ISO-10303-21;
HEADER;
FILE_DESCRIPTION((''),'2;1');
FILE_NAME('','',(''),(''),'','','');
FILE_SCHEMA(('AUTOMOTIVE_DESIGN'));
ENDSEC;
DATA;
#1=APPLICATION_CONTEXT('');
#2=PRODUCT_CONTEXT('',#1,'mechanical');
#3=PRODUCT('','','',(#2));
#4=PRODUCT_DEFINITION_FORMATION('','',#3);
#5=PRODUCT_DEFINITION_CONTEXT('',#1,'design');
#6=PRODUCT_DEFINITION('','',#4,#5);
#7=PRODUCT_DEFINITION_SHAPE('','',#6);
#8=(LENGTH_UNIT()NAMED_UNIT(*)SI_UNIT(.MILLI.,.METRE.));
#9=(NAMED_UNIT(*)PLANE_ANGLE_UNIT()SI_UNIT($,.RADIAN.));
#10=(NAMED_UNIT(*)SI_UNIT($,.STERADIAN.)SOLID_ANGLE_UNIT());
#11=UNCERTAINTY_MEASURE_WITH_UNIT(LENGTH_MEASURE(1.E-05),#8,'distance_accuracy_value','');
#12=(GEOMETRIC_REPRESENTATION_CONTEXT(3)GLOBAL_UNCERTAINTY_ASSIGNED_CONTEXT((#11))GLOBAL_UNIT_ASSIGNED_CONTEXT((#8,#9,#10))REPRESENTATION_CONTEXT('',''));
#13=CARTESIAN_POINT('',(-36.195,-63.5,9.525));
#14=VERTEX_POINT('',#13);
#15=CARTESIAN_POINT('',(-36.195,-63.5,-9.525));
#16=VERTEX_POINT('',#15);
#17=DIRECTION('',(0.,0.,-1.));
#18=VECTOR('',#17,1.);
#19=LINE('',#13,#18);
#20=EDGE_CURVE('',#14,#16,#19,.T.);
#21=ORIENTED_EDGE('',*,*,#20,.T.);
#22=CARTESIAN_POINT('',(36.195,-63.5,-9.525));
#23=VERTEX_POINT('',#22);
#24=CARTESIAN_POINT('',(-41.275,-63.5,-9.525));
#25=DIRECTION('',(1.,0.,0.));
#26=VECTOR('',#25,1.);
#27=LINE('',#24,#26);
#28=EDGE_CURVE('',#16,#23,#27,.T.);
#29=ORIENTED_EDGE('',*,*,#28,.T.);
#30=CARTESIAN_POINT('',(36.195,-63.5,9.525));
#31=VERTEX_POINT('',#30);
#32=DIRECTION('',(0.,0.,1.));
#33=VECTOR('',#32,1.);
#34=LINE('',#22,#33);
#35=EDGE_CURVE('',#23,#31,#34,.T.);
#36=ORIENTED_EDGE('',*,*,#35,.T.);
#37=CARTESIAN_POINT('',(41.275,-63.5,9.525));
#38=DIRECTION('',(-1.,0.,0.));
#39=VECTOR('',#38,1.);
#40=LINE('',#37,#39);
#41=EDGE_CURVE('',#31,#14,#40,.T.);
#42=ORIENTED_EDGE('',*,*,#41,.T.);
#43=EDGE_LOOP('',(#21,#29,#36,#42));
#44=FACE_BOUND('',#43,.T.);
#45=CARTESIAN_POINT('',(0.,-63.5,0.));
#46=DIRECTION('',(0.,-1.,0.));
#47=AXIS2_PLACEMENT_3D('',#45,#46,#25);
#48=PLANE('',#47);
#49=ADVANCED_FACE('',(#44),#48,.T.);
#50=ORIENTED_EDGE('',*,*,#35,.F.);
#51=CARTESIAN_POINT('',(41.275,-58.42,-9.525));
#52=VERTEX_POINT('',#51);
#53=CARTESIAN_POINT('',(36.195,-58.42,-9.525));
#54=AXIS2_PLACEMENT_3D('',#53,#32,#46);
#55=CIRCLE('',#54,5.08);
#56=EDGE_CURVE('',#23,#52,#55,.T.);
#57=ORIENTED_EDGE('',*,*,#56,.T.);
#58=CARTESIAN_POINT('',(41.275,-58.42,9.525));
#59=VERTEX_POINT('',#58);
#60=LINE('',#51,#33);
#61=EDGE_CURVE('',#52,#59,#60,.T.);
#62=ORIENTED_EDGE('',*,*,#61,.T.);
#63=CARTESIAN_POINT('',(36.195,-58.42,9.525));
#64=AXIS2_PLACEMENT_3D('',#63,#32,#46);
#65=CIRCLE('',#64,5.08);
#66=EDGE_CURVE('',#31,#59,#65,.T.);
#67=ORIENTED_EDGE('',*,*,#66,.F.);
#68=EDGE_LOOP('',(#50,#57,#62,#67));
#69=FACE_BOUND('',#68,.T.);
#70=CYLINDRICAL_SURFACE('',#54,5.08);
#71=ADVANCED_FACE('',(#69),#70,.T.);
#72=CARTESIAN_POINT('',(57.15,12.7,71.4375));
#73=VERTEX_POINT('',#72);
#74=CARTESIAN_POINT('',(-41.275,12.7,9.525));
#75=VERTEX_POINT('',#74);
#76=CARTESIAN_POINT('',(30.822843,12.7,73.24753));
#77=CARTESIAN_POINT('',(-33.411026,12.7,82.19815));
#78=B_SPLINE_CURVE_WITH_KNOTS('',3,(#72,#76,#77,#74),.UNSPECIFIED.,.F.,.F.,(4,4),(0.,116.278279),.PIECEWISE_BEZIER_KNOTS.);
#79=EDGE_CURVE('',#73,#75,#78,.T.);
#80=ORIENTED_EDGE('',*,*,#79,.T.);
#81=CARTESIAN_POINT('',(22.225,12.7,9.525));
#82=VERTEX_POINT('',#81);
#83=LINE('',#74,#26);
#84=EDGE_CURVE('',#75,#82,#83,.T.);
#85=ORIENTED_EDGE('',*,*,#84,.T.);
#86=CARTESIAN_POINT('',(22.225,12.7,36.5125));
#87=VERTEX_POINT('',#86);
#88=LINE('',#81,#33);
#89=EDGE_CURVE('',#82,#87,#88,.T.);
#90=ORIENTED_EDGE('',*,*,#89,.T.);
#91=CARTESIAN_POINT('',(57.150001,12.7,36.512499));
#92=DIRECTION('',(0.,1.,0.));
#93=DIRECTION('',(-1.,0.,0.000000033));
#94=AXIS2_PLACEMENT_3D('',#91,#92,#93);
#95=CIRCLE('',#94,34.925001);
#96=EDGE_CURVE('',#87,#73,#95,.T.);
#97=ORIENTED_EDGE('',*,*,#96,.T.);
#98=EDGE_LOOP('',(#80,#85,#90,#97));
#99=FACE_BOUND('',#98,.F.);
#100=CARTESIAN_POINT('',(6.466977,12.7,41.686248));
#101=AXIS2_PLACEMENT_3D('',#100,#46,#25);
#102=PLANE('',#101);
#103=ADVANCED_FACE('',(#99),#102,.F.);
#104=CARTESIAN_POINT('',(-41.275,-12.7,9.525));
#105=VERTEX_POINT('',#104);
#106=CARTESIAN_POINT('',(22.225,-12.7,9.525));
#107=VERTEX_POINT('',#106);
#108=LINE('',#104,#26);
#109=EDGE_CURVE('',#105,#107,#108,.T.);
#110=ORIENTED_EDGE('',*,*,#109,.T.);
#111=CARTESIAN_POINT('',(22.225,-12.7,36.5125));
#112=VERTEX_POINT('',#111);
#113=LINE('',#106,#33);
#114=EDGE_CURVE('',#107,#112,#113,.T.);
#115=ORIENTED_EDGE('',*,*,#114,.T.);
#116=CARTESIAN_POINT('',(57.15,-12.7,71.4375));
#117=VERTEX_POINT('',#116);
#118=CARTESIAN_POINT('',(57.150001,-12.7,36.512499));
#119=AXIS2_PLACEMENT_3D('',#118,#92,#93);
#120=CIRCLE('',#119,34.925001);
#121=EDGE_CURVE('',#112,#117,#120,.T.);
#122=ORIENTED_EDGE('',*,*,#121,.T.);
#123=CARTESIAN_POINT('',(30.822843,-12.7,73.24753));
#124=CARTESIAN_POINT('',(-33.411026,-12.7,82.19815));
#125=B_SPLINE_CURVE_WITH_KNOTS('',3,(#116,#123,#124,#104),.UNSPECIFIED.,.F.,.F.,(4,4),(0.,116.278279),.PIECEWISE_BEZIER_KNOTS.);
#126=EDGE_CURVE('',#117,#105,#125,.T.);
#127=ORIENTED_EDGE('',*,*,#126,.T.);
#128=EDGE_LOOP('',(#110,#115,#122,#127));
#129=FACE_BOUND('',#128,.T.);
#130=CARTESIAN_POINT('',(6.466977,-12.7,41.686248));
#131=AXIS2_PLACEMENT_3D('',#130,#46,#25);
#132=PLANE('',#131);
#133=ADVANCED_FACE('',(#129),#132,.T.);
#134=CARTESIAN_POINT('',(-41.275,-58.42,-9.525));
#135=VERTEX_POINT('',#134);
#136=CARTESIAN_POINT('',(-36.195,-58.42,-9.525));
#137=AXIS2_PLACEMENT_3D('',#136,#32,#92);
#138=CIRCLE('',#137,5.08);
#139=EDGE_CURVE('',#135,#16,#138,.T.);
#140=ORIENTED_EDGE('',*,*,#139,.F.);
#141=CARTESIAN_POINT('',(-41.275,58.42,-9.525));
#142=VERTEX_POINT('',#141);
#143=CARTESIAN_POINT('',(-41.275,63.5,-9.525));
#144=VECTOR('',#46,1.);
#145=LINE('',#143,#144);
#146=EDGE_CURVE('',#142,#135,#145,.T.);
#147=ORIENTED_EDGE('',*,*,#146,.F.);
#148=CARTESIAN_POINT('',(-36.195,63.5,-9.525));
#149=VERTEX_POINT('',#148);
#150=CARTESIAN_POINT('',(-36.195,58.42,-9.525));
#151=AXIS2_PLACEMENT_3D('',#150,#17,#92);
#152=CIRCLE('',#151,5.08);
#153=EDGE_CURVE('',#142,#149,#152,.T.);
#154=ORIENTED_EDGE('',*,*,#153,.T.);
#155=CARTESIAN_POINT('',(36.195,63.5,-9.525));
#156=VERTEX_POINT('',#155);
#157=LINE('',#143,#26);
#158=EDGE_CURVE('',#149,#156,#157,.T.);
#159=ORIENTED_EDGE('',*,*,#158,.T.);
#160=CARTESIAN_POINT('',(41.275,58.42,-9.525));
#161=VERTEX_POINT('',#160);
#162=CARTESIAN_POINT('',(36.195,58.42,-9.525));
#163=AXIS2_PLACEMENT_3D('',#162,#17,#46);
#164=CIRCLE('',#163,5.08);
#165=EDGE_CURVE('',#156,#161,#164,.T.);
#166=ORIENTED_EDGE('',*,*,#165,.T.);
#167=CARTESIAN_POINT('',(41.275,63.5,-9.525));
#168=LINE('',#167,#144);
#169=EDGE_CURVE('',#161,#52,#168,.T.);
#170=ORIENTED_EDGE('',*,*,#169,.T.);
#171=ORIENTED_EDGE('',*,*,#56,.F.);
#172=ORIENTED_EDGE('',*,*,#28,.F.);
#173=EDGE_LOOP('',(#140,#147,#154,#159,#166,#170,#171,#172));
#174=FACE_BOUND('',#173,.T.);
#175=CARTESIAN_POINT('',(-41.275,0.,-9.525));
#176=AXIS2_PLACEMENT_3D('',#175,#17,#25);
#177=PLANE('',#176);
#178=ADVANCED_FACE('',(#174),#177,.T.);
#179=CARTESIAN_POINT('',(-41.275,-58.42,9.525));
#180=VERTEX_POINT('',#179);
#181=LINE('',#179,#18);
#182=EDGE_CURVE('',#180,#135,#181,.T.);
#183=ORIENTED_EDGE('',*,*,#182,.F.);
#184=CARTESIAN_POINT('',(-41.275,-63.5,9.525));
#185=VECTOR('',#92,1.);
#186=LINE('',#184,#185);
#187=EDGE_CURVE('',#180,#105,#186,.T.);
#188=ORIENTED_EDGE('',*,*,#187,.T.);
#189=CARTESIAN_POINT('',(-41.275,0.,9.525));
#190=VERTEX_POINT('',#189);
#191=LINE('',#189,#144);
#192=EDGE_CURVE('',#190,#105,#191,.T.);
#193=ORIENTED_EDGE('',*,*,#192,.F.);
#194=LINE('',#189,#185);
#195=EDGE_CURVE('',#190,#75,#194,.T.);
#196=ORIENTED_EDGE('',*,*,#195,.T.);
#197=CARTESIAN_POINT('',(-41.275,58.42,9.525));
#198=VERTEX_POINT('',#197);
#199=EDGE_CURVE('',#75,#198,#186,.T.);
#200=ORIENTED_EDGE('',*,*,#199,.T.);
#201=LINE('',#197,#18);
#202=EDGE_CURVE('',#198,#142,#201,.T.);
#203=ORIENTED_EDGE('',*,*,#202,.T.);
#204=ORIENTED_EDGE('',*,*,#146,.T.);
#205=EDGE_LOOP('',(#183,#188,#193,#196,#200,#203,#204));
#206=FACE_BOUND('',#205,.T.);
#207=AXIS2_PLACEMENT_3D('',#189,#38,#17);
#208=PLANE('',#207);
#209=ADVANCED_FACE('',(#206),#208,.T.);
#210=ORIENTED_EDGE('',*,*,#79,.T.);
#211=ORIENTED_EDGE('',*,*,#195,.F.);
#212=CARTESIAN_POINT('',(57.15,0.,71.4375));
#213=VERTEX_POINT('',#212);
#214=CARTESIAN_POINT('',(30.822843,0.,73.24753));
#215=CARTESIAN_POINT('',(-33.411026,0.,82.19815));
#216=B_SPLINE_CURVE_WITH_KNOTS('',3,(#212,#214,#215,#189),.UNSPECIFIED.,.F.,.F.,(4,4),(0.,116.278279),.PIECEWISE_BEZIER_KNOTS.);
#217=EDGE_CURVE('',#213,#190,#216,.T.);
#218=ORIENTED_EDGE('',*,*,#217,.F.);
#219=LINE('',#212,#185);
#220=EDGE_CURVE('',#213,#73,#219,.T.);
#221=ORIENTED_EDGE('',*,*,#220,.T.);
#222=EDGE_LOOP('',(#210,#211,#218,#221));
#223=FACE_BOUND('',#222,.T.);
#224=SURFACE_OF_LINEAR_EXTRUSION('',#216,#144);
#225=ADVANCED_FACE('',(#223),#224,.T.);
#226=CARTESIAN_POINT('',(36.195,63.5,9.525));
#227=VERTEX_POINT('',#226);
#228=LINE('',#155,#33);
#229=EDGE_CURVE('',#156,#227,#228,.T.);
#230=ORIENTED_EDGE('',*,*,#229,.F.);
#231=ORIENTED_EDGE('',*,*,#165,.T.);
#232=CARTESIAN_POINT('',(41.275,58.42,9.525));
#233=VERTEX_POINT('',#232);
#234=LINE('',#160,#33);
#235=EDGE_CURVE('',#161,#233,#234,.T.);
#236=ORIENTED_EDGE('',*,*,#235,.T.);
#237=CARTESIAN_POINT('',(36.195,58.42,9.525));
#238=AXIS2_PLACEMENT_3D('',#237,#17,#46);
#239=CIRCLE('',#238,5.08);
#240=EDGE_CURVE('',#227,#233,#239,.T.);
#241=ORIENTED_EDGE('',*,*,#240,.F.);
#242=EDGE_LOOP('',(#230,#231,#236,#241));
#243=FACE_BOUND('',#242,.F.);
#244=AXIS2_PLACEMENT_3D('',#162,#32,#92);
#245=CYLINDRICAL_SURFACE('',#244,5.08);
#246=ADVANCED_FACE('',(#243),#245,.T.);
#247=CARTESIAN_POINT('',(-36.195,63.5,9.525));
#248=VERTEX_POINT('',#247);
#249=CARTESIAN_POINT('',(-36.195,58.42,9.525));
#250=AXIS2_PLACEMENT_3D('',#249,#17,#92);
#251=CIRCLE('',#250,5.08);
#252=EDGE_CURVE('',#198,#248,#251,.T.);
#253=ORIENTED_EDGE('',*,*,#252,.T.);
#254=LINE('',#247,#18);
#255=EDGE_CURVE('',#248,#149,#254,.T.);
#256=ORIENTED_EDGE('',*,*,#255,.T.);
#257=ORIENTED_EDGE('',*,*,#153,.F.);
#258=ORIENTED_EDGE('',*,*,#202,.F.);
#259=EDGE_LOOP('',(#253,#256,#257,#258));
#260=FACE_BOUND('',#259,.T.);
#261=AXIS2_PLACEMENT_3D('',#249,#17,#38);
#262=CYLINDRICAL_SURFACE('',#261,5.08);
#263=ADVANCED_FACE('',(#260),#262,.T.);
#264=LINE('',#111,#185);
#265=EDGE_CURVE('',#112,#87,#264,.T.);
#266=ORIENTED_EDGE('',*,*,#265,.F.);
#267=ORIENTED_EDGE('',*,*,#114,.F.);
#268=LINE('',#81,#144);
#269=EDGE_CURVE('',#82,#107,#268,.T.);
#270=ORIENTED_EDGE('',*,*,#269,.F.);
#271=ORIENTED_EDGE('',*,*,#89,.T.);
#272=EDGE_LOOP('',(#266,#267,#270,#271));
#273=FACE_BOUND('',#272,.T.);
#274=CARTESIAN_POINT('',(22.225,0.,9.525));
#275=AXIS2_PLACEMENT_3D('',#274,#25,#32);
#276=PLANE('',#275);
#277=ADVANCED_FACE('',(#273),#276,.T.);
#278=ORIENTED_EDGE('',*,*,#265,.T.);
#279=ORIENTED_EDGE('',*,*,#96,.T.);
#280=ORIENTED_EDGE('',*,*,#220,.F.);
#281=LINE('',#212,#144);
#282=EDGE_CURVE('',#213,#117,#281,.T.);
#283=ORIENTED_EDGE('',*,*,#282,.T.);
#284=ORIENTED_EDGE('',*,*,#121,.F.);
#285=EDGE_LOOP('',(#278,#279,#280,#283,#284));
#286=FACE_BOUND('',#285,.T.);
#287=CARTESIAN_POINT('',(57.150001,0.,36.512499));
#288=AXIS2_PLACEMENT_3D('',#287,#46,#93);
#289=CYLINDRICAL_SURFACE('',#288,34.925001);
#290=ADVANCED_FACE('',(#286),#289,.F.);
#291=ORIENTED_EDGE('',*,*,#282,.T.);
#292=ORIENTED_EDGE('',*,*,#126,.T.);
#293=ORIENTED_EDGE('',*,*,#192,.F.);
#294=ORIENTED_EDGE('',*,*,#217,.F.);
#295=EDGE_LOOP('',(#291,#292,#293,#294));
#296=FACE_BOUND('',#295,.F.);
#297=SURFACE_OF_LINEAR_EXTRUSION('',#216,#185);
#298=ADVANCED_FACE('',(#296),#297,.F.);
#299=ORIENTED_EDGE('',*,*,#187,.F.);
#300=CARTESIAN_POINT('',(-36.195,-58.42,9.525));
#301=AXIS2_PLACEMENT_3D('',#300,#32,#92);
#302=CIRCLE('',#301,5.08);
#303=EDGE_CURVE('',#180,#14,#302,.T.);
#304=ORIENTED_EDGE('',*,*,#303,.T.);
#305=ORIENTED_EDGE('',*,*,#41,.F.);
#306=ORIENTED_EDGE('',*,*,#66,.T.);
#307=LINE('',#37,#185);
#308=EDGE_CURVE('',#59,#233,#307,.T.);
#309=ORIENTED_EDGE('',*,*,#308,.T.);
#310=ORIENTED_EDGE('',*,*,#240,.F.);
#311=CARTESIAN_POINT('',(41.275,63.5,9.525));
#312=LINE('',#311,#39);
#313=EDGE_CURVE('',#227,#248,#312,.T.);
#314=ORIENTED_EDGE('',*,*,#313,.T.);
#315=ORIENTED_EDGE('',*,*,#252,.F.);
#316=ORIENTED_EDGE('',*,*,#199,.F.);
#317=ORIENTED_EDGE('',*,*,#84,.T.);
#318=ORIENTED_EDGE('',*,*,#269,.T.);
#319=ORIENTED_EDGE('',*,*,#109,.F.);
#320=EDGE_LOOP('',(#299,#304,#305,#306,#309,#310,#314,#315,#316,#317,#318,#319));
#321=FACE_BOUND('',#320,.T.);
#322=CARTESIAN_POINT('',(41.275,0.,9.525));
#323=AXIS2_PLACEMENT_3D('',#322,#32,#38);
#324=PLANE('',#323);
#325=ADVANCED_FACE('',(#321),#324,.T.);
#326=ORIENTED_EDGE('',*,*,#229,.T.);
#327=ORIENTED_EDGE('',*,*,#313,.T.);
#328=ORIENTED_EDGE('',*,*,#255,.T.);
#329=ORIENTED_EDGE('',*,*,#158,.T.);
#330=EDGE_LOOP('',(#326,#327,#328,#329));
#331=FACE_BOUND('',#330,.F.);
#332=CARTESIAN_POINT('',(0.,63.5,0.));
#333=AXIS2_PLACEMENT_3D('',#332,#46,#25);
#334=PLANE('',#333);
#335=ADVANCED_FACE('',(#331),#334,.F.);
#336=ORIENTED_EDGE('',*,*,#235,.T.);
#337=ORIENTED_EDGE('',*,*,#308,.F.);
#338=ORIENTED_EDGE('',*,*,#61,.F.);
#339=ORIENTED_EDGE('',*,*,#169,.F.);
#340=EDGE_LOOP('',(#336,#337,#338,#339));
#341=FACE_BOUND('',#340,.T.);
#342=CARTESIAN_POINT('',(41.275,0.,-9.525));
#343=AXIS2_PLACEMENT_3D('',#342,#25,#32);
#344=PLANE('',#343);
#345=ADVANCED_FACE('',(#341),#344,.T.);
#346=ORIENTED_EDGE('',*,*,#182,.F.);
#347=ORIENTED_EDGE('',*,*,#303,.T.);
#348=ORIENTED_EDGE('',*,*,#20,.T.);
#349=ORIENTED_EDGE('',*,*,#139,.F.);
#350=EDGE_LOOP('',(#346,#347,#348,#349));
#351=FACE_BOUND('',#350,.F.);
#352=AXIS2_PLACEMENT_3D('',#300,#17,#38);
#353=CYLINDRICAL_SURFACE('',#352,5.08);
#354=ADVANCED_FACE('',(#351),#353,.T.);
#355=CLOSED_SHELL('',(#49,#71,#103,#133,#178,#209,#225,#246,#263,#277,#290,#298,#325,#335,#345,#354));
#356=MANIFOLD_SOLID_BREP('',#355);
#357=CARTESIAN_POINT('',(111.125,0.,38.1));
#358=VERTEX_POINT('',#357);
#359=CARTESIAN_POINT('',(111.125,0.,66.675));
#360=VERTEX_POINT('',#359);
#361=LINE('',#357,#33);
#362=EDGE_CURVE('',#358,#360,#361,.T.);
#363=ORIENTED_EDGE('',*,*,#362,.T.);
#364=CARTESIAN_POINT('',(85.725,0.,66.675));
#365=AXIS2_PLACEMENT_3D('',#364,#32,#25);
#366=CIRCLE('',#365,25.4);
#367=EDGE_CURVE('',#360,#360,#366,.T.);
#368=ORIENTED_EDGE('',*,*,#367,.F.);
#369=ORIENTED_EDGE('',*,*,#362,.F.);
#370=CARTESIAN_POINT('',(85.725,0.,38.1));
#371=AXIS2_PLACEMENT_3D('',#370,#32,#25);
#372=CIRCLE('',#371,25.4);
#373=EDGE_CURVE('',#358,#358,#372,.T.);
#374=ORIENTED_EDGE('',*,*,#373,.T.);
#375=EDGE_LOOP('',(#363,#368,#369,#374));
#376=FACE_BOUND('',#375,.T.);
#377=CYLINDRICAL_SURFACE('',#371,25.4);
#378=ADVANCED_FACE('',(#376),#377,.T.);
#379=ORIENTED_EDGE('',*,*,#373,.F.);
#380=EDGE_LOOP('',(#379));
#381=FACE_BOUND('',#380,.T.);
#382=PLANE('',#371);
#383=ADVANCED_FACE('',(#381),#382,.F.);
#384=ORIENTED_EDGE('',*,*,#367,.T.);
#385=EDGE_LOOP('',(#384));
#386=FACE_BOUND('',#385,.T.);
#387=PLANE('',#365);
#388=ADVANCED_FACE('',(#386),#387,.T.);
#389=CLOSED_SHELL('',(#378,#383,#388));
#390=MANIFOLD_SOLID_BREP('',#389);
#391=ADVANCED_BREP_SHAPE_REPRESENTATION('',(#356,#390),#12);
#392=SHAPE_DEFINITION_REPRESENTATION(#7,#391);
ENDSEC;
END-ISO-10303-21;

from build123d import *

# Parameters (mm, degrees)
F1_DEPTH = 63.5
F2_DEPTH = 12.7
F4_R     = 5.08


with BuildPart() as f1:
    # F0 (on Front) → F1 (new body, symmetric)
    with BuildSketch(Plane.XZ):
        Polygon((22.225, 9.525), (-41.275, 9.525), (-41.275, -9.525), (41.275, -9.525), (41.275, 9.525), align=None)
    extrude(amount=F1_DEPTH, both=True)

    # F0 (on Front) → F2 (join, symmetric)
    with BuildSketch(Plane.XZ):
        with BuildLine():
            add(Edge.make_bspline(
                [(57.15, 71.4375), (30.822843, 73.24753), (-33.411026, 82.19815), (-41.275, 9.525)],
                knots=[0, 0, 0, 0, 116.278279, 116.278279, 116.278279, 116.278279], degree=3))
            Line((-41.275, 9.525), (22.225, 9.525))
            Line((22.225, 9.525), (22.225, 36.5125))
            ThreePointArc((22.225, 36.5125), (32.454296, 61.208204), (57.15, 71.4375))
        make_face()
    extrude(amount=F2_DEPTH, both=True)

    # F4
    f4_edges = [f1.edges().sort_by_distance(p)[0] for p in [
        (41.275, 63.5, 0),
        (41.275, -63.5, 0),
        (-41.275, -63.5, 0),
        (-41.275, 63.5, 0),
    ]]
    fillet(f4_edges, radius=F4_R)


with BuildPart() as f3:
    # F0 (on Front) → F3 (revolve)
    with BuildSketch(Plane.XZ):
        Polygon((111.125, 66.675), (85.725, 66.675), (85.725, 52.3875), (85.725, 38.1), (111.125, 38.1), align=None)
    revolve(axis=Axis((85.725, 0, 54.76875), (0, 0, 1)))


solid = Compound([f1.part, f3.part])
